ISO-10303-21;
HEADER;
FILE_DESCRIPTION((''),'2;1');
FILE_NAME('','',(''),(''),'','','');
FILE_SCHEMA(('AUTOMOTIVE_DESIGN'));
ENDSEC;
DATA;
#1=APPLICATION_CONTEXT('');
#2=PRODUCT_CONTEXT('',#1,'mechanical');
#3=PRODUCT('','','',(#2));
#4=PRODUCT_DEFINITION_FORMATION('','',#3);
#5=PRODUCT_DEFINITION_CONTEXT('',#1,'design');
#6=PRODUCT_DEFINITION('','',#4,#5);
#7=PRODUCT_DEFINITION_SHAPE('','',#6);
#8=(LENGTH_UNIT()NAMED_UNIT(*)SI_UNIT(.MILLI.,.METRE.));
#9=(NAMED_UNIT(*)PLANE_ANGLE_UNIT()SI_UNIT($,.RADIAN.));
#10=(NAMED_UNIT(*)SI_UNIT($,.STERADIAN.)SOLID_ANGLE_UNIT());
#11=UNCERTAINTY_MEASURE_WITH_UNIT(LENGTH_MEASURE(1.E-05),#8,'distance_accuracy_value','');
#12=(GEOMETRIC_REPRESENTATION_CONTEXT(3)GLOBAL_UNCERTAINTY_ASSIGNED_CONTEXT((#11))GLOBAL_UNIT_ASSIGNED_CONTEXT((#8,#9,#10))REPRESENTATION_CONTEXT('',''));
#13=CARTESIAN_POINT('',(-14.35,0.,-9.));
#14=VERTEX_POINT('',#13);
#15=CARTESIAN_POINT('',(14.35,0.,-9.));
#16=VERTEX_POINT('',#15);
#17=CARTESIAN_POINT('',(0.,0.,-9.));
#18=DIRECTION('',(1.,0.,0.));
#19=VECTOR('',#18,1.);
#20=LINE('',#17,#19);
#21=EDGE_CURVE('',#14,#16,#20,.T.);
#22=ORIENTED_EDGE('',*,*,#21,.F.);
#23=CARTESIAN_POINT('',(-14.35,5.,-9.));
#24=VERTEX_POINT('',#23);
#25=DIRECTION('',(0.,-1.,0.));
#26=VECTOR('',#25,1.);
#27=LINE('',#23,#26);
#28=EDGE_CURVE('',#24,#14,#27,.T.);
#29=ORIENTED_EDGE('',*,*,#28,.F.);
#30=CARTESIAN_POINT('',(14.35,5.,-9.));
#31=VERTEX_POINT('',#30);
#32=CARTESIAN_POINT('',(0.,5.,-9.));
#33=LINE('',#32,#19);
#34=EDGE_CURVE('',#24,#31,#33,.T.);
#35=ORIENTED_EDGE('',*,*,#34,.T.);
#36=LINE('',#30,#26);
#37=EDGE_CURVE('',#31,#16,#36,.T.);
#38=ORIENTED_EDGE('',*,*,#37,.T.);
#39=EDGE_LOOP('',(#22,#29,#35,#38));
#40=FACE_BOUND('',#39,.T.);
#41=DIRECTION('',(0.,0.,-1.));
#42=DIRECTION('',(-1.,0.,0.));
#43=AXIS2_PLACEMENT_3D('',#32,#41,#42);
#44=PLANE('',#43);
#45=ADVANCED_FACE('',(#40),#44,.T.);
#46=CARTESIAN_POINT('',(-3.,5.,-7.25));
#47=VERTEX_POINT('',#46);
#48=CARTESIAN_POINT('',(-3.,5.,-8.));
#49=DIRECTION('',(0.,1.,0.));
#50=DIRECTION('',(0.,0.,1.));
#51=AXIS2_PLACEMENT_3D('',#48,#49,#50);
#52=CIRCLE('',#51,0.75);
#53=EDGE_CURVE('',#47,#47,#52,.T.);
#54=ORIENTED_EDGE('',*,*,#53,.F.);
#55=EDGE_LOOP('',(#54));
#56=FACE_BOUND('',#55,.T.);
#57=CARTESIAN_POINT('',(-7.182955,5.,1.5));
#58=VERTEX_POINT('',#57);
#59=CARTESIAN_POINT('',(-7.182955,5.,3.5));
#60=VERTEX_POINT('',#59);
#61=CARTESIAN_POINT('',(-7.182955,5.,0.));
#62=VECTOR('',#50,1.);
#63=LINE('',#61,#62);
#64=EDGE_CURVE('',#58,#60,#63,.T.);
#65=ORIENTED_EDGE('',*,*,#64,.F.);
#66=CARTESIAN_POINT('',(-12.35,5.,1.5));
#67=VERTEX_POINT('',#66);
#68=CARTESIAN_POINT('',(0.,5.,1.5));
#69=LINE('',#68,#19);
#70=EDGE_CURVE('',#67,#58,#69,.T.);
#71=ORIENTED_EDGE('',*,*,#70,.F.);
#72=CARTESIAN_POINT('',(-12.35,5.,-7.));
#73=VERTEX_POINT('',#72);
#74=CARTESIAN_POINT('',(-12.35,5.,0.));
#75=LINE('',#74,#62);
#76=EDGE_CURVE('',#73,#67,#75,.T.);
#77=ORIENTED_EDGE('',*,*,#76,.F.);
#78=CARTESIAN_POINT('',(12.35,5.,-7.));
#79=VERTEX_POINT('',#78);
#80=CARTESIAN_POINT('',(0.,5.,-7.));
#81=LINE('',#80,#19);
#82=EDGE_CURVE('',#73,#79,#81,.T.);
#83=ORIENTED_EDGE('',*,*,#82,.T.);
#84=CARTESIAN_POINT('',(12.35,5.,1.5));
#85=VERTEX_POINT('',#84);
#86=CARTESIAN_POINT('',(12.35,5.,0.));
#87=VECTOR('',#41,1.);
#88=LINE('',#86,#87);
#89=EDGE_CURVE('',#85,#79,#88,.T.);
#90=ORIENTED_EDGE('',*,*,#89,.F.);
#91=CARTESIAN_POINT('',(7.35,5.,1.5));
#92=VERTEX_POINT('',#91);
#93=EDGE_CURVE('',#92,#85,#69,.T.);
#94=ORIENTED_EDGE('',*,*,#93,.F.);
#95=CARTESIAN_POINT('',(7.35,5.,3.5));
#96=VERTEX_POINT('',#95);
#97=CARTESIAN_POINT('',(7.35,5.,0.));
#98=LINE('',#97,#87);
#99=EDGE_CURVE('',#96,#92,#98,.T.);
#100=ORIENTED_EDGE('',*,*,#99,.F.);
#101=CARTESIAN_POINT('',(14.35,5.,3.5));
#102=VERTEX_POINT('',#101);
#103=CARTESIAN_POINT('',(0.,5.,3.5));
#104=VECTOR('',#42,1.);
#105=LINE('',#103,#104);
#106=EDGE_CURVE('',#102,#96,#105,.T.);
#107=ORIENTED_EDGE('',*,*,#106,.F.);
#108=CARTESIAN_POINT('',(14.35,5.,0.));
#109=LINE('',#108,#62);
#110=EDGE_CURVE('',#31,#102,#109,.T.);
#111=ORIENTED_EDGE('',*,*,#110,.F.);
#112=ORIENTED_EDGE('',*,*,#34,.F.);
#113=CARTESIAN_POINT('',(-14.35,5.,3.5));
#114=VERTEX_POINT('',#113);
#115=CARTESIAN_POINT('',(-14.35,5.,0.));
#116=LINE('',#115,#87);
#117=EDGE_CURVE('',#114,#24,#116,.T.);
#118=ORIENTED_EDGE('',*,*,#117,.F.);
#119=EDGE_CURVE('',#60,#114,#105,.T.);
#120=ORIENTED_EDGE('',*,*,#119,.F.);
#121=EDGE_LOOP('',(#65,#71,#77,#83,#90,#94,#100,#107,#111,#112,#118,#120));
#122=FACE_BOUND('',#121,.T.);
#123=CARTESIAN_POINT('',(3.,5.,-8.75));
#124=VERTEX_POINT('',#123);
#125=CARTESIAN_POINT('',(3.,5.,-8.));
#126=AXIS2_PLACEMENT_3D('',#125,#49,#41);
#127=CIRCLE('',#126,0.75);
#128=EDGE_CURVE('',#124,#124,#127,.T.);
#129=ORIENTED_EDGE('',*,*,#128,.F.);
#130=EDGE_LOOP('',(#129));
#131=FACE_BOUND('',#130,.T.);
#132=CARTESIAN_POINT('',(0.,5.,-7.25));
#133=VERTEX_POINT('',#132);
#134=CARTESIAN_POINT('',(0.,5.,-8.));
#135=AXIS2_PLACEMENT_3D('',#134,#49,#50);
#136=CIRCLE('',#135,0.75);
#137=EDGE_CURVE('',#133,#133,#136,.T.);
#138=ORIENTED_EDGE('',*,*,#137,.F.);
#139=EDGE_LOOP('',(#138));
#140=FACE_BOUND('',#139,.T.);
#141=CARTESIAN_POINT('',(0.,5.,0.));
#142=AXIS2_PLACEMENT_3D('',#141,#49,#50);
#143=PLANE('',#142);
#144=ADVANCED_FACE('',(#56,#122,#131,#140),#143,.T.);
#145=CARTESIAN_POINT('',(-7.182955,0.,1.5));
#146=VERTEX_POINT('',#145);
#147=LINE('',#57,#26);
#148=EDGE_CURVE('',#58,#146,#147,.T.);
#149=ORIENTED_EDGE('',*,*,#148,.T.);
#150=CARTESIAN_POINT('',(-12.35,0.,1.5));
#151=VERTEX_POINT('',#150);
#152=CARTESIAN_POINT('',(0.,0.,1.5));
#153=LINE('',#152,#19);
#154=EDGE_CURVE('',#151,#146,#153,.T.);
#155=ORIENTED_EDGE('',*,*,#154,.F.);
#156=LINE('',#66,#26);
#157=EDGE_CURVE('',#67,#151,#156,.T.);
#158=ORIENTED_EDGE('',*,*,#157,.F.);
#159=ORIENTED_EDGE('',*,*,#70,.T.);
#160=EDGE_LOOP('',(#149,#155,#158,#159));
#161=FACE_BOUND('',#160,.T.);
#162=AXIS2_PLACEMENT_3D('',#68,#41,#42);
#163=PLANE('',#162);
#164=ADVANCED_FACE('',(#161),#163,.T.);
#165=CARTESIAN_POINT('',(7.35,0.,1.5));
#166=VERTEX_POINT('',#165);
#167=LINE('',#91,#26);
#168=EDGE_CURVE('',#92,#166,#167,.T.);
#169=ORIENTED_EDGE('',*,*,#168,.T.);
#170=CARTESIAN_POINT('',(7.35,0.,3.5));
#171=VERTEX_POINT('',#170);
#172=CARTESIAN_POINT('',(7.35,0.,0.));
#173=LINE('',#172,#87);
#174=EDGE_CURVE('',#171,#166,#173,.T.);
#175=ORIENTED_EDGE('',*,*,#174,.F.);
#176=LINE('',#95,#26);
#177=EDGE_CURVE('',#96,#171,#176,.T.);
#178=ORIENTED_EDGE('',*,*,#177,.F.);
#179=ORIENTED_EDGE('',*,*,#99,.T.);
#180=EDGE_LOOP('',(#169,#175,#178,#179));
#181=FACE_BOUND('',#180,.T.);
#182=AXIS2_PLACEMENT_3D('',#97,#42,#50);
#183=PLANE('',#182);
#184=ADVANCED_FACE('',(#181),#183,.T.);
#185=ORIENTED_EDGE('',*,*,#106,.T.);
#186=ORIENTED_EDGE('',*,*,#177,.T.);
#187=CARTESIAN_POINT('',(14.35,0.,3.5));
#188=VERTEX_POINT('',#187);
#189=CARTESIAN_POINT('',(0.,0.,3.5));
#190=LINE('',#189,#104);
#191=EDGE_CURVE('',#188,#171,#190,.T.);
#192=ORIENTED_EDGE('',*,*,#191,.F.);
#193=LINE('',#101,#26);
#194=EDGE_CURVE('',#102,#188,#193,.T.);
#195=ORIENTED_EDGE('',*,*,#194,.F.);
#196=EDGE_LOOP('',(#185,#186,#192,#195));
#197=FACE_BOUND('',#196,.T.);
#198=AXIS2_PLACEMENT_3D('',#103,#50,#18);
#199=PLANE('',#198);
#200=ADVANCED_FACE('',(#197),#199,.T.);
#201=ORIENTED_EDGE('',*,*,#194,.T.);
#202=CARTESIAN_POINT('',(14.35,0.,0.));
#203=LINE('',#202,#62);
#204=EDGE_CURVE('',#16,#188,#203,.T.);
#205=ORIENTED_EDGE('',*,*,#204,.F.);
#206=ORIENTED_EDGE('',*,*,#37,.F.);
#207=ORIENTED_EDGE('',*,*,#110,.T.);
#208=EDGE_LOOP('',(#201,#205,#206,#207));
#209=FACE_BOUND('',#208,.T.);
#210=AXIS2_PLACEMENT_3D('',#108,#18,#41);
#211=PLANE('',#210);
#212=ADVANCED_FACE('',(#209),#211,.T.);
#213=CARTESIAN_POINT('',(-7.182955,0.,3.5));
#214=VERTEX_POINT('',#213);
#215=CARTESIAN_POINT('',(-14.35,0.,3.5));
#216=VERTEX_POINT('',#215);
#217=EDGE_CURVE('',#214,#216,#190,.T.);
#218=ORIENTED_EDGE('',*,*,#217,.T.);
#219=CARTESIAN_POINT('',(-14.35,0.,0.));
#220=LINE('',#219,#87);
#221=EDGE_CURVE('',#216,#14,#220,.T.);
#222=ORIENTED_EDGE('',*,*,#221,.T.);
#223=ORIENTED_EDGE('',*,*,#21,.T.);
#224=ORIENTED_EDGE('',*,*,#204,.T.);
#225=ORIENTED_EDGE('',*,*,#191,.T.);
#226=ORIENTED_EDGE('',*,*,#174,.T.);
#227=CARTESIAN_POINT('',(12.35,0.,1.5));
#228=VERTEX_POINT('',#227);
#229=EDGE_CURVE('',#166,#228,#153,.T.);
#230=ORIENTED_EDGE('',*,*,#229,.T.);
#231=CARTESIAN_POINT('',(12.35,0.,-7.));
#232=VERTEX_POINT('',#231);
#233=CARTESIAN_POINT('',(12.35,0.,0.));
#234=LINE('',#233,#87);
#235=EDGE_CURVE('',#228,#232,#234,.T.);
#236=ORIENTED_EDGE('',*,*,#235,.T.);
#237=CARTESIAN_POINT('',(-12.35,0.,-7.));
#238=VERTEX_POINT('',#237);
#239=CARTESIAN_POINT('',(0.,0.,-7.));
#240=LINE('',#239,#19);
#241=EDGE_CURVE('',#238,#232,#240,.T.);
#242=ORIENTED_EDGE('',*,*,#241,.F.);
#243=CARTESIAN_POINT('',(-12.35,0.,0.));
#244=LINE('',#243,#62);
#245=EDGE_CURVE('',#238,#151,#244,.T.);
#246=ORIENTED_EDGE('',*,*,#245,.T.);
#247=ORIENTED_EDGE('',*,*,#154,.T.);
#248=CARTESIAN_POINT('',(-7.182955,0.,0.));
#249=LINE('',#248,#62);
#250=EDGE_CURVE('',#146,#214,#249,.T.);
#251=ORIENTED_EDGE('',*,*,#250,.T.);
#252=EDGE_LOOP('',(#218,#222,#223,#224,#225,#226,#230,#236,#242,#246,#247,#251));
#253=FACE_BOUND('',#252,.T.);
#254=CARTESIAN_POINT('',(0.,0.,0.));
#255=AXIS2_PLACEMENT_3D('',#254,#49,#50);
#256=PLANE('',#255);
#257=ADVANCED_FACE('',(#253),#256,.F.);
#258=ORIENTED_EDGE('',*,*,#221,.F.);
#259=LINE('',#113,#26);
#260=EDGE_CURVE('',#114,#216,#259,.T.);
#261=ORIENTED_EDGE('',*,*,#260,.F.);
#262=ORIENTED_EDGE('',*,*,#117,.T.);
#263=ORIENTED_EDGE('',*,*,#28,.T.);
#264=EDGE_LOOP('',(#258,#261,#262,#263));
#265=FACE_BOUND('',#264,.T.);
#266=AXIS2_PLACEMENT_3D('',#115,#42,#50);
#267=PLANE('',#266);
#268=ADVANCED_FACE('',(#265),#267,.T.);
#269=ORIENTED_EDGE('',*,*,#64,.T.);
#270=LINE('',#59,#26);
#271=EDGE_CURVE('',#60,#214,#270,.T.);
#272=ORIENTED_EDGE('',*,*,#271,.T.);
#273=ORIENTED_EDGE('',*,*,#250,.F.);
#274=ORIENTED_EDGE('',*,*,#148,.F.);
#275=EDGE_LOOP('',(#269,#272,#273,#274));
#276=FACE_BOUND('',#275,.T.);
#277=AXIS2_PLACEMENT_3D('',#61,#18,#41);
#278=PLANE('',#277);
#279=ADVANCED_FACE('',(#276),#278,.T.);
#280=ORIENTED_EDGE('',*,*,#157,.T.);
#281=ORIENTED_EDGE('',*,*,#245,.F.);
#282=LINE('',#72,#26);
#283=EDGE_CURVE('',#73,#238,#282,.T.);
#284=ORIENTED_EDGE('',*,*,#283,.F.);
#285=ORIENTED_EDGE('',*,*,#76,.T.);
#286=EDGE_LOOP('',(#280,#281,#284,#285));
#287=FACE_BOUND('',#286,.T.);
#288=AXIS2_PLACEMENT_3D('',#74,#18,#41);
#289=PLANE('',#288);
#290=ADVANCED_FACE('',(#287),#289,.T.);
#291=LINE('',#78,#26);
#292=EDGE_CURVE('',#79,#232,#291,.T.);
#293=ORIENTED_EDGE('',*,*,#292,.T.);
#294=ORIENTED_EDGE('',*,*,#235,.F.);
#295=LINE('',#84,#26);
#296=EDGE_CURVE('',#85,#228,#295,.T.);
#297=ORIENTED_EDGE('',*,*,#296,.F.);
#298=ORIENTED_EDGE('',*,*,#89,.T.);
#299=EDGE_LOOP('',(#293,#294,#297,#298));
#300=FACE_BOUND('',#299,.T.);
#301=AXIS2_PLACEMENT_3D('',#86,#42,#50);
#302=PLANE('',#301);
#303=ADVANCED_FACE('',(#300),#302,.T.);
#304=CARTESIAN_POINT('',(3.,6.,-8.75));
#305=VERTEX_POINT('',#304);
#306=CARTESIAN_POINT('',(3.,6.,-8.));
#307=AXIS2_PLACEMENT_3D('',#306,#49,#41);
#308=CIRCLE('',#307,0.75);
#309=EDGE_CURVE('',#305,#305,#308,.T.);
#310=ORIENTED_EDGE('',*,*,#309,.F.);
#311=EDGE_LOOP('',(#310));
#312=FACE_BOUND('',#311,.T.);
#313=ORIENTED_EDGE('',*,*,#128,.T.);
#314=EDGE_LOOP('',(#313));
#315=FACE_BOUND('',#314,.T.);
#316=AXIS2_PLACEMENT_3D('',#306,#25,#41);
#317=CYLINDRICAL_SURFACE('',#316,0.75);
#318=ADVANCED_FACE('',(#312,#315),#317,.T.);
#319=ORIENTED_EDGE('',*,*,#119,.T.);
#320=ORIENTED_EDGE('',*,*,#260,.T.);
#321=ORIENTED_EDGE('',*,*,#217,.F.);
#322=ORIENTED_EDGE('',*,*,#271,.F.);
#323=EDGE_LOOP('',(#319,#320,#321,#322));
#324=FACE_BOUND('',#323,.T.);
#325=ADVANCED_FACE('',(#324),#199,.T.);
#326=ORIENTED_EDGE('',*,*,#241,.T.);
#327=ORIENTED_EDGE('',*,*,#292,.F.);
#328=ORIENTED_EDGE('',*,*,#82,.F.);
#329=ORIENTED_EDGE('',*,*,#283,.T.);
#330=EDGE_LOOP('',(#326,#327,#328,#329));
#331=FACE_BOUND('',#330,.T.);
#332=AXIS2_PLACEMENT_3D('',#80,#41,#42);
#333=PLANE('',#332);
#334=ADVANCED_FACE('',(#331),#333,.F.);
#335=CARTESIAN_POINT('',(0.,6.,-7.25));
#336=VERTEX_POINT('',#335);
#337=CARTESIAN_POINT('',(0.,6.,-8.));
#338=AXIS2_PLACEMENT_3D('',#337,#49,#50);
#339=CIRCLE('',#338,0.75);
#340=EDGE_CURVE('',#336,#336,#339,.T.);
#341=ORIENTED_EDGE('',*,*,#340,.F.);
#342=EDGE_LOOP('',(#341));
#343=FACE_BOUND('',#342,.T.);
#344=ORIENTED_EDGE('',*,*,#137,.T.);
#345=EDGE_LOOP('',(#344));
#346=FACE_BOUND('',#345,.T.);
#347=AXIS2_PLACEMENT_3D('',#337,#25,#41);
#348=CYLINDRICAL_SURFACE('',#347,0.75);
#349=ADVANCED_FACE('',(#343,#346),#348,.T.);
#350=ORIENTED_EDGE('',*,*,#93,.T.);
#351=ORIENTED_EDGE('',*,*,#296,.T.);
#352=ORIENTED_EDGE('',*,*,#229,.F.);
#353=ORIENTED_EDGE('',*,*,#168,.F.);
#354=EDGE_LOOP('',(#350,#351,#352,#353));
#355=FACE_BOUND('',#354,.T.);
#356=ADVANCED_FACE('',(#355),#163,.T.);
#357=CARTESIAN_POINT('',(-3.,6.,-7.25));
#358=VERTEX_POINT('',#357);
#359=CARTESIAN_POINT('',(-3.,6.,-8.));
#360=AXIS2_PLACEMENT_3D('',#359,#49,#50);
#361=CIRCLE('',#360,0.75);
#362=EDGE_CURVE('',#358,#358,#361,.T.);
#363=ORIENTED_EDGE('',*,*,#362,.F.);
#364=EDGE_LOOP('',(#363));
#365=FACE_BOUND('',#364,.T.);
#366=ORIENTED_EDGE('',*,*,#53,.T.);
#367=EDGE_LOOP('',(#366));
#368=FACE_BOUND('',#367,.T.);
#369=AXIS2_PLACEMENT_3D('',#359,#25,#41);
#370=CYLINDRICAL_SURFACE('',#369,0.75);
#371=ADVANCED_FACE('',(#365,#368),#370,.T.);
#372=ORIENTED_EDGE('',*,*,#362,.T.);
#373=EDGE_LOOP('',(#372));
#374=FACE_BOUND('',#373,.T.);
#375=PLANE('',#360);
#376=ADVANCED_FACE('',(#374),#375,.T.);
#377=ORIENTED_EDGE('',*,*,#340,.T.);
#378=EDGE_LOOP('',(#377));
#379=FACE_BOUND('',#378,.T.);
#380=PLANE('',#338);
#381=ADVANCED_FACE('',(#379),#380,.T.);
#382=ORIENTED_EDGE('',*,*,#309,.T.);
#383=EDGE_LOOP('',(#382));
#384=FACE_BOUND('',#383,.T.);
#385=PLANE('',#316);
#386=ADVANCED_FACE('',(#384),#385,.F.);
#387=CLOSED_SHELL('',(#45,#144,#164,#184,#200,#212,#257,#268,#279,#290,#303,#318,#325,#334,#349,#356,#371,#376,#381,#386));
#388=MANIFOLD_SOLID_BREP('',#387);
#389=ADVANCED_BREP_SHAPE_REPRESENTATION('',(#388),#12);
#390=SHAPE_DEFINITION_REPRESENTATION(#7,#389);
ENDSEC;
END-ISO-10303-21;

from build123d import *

# Parameters (mm, degrees)
BOSS_EXTRUDE1_DEPTH = 5
SKETCH2_R           = 0.75
BOSS_EXTRUDE4_DEPTH = 1


with BuildPart() as part:
    # Sketch1 → Boss-Extrude1 (new body)
    with BuildSketch(Plane(origin=(0, 0, 0), x_dir=(1, 0, 0), z_dir=(0, 1, 0))):
        Polygon((-12.35, 1.5), (-12.35, 7), (12.35, 7), (12.35, 1.5), (12.35, -1.5), (7.35, -1.5), (7.35, -3.5), (14.35, -3.5), (14.35, 9), (-14.35, 9), (-14.35, -3.5), (-7.182955123, -3.5), (-7.182955123, -1.5), (-12.35, -1.5), align=None)
    extrude(amount=BOSS_EXTRUDE1_DEPTH)

    # Sketch2 → Boss-Extrude4 (add)
    with BuildSketch(Plane(origin=(0, 5, 0), x_dir=(1, 0, 0), z_dir=(0, 1, 0))):
        with Locations((0, 8)):
            Circle(SKETCH2_R)
        with Locations((-3, 8)):
            Circle(SKETCH2_R)
        with Locations((3, 8)):
            Circle(SKETCH2_R)
    extrude(amount=BOSS_EXTRUDE4_DEPTH)


solid = part.part
